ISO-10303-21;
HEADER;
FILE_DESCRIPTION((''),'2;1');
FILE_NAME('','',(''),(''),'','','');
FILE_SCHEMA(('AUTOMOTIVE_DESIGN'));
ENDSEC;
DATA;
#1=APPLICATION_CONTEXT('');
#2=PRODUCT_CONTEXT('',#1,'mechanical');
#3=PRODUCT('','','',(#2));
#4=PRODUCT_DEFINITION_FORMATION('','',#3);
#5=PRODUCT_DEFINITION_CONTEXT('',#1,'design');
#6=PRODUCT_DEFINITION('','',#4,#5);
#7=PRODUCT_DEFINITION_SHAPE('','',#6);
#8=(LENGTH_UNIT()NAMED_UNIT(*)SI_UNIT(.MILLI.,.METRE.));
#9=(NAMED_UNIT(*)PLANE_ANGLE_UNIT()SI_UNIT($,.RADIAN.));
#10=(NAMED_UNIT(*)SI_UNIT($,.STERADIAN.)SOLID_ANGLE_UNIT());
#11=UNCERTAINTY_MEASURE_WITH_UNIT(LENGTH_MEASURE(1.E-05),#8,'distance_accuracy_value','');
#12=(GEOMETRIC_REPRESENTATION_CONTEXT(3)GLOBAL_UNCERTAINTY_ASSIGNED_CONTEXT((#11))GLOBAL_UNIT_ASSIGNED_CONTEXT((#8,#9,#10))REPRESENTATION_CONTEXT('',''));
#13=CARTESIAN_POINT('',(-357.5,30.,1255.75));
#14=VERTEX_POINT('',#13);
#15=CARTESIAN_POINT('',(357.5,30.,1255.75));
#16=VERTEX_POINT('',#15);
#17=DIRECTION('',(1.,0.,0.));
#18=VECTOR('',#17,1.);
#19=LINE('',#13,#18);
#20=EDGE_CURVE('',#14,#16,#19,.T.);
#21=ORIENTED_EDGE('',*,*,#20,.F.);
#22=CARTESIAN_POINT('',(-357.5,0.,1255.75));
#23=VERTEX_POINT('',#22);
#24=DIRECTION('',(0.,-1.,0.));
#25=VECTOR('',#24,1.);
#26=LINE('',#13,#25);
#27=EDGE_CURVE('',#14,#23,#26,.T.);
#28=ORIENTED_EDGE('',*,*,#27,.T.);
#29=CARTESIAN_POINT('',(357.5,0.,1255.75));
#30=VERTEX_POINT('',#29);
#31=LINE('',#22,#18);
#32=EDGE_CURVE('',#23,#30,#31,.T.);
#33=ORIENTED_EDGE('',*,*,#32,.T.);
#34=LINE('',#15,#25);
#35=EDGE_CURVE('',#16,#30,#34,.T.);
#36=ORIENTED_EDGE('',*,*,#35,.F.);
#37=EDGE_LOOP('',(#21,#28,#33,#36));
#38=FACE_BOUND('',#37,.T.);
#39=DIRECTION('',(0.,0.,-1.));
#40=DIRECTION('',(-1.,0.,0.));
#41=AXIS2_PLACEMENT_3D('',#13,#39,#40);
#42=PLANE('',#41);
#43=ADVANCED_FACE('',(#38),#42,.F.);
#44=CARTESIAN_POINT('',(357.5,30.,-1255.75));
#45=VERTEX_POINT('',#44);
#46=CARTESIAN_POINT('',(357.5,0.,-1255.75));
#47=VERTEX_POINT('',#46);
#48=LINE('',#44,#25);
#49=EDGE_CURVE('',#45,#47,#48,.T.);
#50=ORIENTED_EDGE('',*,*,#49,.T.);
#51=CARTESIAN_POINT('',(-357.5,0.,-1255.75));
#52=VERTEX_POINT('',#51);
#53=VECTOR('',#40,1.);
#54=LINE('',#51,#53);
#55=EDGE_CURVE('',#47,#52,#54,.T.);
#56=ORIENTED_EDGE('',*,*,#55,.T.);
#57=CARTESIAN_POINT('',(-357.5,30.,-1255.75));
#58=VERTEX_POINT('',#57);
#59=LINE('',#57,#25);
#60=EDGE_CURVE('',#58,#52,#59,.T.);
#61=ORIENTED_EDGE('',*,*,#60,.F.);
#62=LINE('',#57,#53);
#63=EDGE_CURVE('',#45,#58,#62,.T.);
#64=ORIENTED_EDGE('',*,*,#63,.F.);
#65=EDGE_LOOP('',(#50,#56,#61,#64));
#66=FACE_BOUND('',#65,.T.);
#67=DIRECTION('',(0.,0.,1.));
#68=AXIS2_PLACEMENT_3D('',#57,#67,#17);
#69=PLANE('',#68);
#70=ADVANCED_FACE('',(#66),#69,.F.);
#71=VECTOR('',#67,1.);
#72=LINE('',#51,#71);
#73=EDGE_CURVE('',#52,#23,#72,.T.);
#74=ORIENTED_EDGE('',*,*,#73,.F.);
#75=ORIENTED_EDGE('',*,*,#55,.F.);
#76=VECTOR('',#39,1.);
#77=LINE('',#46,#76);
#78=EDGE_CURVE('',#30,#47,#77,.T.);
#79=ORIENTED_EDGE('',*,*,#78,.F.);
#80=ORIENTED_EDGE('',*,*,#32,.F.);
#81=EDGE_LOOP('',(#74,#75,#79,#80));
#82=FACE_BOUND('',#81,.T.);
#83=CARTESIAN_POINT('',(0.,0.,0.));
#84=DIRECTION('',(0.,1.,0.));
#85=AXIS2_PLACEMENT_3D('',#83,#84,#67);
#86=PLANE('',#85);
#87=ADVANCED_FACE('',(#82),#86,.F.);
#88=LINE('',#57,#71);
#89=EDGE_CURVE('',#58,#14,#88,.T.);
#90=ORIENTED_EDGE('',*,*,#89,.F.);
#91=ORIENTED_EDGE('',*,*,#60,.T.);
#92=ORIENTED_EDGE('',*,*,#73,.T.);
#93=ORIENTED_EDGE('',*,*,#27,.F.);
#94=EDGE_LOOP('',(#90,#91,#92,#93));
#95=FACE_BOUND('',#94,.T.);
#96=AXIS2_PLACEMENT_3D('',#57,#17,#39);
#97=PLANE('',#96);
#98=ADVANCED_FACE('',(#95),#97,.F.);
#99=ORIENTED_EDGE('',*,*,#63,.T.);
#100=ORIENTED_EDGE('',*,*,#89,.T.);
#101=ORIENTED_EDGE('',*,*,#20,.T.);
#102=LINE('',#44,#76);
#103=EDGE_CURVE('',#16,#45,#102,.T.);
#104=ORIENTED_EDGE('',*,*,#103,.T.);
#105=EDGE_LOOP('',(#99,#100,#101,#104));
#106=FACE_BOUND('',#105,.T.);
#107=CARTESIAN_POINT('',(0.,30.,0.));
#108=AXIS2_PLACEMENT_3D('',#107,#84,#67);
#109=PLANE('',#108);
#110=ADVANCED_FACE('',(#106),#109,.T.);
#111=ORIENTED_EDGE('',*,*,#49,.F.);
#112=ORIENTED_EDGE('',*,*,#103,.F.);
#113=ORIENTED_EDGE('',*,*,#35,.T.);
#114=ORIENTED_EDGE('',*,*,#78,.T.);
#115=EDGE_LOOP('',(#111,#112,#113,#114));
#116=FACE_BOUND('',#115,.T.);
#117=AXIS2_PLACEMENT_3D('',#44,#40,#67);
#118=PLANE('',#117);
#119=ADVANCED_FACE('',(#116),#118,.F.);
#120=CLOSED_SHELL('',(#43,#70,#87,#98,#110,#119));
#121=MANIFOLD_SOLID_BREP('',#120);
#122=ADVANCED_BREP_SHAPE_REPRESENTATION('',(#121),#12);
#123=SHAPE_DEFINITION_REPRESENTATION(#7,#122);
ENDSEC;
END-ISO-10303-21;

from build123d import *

# Parameters (mm, degrees)
SKETCH_1_W      = 715
SKETCH_1_H      = 2511.5
EXTRUDE_1_DEPTH = 30


with BuildPart() as part:
    # Эскиз1 → Бобышка-Вытянуть1 (new body)
    with BuildSketch(Plane(origin=(0, 0, 0), x_dir=(1, 0, 0), z_dir=(0, 1, 0))):
        Rectangle(SKETCH_1_W, SKETCH_1_H)
    extrude(amount=EXTRUDE_1_DEPTH)


solid = part.part
